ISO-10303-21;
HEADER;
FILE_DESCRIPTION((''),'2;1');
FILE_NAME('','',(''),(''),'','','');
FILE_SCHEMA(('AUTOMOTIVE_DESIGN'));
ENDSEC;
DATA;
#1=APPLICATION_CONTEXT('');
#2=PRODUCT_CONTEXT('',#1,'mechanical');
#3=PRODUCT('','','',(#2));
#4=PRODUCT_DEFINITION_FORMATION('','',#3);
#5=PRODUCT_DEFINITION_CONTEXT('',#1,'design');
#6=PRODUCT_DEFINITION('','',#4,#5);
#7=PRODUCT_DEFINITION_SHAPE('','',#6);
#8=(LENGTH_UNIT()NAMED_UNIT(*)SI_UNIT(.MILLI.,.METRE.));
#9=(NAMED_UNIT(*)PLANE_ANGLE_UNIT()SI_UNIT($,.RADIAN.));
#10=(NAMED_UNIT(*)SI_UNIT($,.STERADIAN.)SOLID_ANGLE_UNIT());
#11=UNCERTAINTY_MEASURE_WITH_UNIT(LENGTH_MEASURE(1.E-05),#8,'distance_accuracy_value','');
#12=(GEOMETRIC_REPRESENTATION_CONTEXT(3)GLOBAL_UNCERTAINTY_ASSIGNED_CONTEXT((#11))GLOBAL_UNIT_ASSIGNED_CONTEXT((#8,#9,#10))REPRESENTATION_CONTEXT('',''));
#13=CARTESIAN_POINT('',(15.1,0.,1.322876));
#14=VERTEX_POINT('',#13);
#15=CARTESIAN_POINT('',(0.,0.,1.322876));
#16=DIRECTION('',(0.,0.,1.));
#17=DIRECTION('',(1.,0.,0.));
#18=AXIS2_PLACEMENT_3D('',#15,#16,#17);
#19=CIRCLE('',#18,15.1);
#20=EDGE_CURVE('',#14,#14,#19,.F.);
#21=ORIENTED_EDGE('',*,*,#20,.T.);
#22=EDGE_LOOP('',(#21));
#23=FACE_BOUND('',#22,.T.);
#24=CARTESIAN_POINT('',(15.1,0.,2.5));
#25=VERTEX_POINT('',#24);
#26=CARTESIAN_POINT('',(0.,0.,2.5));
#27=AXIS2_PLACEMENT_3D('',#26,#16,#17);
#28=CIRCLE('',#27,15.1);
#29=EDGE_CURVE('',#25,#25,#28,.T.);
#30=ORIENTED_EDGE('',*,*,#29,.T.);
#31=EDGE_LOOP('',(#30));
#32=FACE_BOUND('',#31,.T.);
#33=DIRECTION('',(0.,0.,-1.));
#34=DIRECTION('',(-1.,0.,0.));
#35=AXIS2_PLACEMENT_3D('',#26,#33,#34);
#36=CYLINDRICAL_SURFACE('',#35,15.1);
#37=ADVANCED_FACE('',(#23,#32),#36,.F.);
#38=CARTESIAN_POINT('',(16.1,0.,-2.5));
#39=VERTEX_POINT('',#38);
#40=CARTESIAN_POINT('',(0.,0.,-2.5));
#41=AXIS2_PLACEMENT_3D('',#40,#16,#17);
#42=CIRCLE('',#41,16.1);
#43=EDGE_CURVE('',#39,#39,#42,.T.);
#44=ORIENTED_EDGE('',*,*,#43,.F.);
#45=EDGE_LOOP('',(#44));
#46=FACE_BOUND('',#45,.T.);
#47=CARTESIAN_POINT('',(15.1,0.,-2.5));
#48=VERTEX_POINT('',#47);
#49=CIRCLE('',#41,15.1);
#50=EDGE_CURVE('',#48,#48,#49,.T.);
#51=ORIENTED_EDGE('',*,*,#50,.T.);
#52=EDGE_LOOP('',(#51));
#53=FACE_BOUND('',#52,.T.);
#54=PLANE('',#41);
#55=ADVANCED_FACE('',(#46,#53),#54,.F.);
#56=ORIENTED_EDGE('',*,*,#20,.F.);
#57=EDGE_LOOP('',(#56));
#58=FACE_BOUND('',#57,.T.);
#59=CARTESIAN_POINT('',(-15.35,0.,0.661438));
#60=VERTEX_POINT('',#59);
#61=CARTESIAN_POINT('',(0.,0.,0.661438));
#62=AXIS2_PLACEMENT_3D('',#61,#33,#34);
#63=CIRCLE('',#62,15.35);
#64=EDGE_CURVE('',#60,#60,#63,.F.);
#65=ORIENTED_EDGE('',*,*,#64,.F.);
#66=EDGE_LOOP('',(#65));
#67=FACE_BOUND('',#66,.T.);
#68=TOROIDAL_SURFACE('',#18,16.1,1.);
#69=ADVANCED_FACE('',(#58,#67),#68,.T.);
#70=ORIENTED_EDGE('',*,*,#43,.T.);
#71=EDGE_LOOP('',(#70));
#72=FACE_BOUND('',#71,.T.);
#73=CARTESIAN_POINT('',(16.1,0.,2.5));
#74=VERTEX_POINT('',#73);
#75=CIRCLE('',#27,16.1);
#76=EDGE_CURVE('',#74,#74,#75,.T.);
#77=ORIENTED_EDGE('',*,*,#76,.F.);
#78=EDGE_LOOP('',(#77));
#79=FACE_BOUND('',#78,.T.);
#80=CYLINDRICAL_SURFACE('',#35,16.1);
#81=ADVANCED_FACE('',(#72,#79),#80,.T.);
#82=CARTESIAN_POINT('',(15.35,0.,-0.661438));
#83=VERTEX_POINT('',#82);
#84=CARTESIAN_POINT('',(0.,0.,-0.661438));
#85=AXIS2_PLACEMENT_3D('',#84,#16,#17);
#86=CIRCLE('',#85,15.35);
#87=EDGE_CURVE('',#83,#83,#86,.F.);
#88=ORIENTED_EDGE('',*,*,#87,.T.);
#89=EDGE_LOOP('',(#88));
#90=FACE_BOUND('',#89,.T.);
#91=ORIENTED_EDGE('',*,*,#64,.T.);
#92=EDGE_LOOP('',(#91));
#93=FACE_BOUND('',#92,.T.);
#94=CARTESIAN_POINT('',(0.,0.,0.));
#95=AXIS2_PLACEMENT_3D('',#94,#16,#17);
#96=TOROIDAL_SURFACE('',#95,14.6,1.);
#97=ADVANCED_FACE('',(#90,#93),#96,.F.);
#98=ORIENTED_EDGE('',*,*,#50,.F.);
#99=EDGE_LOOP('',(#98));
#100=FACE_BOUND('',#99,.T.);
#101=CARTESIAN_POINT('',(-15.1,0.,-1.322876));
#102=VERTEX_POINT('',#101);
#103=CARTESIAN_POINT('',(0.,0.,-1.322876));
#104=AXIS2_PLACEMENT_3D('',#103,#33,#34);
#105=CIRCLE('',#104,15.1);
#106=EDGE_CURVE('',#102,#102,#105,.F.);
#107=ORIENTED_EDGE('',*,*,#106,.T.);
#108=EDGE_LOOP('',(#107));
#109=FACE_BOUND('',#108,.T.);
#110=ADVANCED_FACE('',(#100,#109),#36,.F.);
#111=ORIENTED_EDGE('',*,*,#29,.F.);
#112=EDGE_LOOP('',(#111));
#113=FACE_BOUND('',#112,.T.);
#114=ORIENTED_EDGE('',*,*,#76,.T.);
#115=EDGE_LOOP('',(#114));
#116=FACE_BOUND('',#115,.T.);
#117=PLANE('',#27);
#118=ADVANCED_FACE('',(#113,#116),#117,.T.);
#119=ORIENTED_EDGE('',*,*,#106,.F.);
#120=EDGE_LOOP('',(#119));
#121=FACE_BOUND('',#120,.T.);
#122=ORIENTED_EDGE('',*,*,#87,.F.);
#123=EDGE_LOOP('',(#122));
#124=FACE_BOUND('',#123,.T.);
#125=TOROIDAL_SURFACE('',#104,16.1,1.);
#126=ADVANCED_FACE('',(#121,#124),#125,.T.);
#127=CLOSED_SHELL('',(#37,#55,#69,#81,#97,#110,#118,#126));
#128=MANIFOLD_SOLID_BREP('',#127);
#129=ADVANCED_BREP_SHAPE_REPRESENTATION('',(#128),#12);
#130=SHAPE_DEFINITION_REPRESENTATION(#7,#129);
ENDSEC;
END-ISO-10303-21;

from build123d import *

# Parameters (mm, degrees)
SKETCH_1_R      = 16.1
SKETCH_1_R_2    = 15.1
EXTRUDE_1_DEPTH = 2.5
SKETCH_3_R      = 1
FILLET_1_R      = 1


with BuildPart() as part:
    # 草图1 → 凸台-拉伸1 (new body, symmetric)
    with BuildSketch(Plane.XY):
        Circle(SKETCH_1_R)
        Circle(SKETCH_1_R_2, mode=Mode.SUBTRACT)
    extrude(amount=EXTRUDE_1_DEPTH, both=True)

    # 草图3 → 切除-旋转1 (revolve, cut)
    with BuildSketch(Plane(origin=(0, 0, 0), x_dir=(1, 0, 0), z_dir=(0, 1, 0))):
        with Locations((-14.6, 0)):
            Circle(SKETCH_3_R)
    revolve(axis=Axis((0, 0, 2.5), (0, 0, -1)), mode=Mode.SUBTRACT)

    # 圆角1
    fillet_1_edges = [part.edges().sort_by_distance(p)[0] for p in [
        (0, 15.1, 0.866025404),
        (0, -15.1, -0.866025404),
    ]]
    fillet(fillet_1_edges, radius=FILLET_1_R)


solid = part.part
